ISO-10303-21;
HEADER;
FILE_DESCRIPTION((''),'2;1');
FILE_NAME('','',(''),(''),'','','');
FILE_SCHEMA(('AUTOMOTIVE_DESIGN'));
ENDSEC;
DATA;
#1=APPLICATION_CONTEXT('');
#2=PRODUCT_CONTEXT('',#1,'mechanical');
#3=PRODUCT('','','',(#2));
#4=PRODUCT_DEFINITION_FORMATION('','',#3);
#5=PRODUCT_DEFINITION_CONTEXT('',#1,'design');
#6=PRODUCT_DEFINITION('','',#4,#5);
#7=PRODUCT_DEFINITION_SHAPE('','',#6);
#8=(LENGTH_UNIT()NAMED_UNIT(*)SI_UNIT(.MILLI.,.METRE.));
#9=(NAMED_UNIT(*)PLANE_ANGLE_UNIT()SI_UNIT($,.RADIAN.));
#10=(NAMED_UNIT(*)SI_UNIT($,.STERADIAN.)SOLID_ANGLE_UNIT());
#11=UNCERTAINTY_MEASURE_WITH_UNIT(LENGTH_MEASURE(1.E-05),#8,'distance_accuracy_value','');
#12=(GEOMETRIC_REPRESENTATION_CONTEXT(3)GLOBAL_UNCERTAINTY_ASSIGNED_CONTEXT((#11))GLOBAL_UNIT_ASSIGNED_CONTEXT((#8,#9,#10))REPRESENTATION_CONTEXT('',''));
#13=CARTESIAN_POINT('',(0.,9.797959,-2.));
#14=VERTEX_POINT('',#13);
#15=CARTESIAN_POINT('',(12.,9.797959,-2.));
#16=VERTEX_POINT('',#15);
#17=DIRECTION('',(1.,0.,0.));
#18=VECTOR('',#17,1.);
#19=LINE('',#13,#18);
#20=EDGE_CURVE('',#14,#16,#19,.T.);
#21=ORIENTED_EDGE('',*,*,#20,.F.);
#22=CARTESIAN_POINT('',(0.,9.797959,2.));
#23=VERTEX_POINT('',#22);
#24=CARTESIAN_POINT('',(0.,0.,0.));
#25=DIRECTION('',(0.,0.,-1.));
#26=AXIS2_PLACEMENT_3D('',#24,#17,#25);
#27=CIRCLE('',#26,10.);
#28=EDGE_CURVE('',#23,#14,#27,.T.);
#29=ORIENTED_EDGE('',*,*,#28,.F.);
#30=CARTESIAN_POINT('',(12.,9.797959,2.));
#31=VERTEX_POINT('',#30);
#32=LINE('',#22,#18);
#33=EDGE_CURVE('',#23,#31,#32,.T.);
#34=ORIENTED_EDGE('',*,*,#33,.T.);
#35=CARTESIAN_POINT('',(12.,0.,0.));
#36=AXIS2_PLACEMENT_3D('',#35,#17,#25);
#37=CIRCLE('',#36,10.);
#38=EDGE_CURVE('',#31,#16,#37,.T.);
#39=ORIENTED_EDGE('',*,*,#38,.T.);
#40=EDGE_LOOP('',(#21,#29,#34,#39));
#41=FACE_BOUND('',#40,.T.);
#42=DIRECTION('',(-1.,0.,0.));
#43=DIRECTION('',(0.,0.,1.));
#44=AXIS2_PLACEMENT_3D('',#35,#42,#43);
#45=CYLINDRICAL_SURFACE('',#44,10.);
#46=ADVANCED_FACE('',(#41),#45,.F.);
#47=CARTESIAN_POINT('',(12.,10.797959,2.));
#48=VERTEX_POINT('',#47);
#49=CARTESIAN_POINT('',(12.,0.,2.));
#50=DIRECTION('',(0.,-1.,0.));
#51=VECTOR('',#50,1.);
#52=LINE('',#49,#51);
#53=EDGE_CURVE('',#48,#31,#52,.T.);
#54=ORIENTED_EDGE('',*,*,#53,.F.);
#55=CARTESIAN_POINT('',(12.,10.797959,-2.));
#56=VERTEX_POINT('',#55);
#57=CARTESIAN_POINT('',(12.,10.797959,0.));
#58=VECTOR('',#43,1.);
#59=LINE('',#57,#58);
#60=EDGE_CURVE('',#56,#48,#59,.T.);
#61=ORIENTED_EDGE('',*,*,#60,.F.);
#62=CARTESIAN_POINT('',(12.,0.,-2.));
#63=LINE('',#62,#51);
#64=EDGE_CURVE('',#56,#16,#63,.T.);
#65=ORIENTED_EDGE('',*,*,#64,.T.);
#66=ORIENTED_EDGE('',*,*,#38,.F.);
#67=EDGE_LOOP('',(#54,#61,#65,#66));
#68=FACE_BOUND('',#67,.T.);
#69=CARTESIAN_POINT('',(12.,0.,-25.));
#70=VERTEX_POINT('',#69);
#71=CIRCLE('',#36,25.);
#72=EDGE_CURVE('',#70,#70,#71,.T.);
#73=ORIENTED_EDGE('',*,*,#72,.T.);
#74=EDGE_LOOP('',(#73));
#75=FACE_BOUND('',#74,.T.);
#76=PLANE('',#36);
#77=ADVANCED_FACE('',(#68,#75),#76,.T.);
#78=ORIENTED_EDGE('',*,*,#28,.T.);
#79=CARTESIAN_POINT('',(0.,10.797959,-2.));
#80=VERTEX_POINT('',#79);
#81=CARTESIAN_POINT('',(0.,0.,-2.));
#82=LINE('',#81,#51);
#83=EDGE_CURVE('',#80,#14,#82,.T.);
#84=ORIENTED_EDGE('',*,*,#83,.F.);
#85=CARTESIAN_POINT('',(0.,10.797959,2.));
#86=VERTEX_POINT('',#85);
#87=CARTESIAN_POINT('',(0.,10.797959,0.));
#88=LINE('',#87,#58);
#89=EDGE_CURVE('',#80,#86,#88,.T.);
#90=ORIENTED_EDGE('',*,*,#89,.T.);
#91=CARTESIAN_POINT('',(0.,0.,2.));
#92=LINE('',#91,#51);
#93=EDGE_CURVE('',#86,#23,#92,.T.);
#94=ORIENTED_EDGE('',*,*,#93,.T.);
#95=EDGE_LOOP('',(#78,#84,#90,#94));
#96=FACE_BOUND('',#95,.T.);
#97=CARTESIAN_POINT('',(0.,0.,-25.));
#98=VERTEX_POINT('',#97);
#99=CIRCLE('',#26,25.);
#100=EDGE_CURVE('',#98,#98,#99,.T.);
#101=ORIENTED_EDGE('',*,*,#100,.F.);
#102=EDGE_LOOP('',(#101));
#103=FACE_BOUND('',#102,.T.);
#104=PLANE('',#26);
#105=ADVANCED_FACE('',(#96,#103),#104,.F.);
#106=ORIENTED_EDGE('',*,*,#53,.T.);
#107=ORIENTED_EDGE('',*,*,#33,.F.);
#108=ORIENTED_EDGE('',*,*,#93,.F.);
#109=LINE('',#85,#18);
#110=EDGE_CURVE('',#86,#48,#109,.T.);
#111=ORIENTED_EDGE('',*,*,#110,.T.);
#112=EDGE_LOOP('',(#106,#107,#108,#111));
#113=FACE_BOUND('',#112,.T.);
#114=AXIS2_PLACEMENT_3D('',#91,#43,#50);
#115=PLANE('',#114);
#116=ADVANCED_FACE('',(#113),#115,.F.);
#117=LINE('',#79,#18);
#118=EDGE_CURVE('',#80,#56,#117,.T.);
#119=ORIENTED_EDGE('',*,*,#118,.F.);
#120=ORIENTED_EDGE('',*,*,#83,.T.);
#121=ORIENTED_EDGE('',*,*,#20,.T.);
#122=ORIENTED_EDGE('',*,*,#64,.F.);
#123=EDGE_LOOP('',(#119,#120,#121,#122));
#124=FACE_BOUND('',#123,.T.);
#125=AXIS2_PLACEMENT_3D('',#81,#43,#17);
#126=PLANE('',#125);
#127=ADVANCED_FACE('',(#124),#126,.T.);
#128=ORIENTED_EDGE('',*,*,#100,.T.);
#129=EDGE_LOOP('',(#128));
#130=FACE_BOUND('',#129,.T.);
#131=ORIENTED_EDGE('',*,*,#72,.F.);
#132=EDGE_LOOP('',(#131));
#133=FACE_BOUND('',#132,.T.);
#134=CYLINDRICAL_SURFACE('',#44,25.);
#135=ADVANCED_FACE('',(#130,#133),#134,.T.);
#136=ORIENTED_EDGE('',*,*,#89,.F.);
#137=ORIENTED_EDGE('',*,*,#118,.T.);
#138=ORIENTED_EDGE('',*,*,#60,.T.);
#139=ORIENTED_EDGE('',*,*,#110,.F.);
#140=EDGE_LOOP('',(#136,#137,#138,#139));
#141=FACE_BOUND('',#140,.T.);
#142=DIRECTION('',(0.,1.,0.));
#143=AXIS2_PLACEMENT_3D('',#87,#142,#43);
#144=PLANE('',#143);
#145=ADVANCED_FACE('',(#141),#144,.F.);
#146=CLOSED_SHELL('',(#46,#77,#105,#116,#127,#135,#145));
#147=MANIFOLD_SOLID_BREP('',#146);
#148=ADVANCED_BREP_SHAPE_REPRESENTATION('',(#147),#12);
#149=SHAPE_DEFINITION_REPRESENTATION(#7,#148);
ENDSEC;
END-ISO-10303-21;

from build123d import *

# Parameters (mm, degrees)
SKETCH1_R           = 25
SKETCH1_R_2         = 10
BOSS_EXTRUDE1_DEPTH = 12
CUT_EXTRUDE1_DEPTH  = 38.336309405


with BuildPart() as part:
    # Sketch1 → Boss-Extrude1 (new body)
    with BuildSketch(Plane(origin=(0, 0, 0), x_dir=(0, 0, -1), z_dir=(1, 0, 0))):
        Circle(SKETCH1_R)
        Circle(SKETCH1_R_2, mode=Mode.SUBTRACT)
    extrude(amount=BOSS_EXTRUDE1_DEPTH)

    # Sketch2 → Cut-Extrude1 (cut, through all)
    with BuildSketch(Plane(origin=(12, 0, 0), x_dir=(0, 0, -1), z_dir=(1, 0, 0))):
        with BuildLine():
            ThreePointArc((-2, 9.797958971), (-1.00508962, 9.94936153), (0, 10))
            Line((0, 10), (0, 10.797958971))
            Line((0, 10.797958971), (-2, 10.797958971))
            Line((-2, 10.797958971), (-2, 9.797958971))
        make_face()
        with BuildLine():
            Line((0, 10.797958971), (0, 10))
            ThreePointArc((0, 10), (1.00508962, 9.94936153), (2, 9.797958971))
            Line((2, 9.797958971), (2, 10.797958971))
            Line((2, 10.797958971), (0, 10.797958971))
        make_face()
    extrude(amount=-CUT_EXTRUDE1_DEPTH, mode=Mode.SUBTRACT)


solid = part.part
